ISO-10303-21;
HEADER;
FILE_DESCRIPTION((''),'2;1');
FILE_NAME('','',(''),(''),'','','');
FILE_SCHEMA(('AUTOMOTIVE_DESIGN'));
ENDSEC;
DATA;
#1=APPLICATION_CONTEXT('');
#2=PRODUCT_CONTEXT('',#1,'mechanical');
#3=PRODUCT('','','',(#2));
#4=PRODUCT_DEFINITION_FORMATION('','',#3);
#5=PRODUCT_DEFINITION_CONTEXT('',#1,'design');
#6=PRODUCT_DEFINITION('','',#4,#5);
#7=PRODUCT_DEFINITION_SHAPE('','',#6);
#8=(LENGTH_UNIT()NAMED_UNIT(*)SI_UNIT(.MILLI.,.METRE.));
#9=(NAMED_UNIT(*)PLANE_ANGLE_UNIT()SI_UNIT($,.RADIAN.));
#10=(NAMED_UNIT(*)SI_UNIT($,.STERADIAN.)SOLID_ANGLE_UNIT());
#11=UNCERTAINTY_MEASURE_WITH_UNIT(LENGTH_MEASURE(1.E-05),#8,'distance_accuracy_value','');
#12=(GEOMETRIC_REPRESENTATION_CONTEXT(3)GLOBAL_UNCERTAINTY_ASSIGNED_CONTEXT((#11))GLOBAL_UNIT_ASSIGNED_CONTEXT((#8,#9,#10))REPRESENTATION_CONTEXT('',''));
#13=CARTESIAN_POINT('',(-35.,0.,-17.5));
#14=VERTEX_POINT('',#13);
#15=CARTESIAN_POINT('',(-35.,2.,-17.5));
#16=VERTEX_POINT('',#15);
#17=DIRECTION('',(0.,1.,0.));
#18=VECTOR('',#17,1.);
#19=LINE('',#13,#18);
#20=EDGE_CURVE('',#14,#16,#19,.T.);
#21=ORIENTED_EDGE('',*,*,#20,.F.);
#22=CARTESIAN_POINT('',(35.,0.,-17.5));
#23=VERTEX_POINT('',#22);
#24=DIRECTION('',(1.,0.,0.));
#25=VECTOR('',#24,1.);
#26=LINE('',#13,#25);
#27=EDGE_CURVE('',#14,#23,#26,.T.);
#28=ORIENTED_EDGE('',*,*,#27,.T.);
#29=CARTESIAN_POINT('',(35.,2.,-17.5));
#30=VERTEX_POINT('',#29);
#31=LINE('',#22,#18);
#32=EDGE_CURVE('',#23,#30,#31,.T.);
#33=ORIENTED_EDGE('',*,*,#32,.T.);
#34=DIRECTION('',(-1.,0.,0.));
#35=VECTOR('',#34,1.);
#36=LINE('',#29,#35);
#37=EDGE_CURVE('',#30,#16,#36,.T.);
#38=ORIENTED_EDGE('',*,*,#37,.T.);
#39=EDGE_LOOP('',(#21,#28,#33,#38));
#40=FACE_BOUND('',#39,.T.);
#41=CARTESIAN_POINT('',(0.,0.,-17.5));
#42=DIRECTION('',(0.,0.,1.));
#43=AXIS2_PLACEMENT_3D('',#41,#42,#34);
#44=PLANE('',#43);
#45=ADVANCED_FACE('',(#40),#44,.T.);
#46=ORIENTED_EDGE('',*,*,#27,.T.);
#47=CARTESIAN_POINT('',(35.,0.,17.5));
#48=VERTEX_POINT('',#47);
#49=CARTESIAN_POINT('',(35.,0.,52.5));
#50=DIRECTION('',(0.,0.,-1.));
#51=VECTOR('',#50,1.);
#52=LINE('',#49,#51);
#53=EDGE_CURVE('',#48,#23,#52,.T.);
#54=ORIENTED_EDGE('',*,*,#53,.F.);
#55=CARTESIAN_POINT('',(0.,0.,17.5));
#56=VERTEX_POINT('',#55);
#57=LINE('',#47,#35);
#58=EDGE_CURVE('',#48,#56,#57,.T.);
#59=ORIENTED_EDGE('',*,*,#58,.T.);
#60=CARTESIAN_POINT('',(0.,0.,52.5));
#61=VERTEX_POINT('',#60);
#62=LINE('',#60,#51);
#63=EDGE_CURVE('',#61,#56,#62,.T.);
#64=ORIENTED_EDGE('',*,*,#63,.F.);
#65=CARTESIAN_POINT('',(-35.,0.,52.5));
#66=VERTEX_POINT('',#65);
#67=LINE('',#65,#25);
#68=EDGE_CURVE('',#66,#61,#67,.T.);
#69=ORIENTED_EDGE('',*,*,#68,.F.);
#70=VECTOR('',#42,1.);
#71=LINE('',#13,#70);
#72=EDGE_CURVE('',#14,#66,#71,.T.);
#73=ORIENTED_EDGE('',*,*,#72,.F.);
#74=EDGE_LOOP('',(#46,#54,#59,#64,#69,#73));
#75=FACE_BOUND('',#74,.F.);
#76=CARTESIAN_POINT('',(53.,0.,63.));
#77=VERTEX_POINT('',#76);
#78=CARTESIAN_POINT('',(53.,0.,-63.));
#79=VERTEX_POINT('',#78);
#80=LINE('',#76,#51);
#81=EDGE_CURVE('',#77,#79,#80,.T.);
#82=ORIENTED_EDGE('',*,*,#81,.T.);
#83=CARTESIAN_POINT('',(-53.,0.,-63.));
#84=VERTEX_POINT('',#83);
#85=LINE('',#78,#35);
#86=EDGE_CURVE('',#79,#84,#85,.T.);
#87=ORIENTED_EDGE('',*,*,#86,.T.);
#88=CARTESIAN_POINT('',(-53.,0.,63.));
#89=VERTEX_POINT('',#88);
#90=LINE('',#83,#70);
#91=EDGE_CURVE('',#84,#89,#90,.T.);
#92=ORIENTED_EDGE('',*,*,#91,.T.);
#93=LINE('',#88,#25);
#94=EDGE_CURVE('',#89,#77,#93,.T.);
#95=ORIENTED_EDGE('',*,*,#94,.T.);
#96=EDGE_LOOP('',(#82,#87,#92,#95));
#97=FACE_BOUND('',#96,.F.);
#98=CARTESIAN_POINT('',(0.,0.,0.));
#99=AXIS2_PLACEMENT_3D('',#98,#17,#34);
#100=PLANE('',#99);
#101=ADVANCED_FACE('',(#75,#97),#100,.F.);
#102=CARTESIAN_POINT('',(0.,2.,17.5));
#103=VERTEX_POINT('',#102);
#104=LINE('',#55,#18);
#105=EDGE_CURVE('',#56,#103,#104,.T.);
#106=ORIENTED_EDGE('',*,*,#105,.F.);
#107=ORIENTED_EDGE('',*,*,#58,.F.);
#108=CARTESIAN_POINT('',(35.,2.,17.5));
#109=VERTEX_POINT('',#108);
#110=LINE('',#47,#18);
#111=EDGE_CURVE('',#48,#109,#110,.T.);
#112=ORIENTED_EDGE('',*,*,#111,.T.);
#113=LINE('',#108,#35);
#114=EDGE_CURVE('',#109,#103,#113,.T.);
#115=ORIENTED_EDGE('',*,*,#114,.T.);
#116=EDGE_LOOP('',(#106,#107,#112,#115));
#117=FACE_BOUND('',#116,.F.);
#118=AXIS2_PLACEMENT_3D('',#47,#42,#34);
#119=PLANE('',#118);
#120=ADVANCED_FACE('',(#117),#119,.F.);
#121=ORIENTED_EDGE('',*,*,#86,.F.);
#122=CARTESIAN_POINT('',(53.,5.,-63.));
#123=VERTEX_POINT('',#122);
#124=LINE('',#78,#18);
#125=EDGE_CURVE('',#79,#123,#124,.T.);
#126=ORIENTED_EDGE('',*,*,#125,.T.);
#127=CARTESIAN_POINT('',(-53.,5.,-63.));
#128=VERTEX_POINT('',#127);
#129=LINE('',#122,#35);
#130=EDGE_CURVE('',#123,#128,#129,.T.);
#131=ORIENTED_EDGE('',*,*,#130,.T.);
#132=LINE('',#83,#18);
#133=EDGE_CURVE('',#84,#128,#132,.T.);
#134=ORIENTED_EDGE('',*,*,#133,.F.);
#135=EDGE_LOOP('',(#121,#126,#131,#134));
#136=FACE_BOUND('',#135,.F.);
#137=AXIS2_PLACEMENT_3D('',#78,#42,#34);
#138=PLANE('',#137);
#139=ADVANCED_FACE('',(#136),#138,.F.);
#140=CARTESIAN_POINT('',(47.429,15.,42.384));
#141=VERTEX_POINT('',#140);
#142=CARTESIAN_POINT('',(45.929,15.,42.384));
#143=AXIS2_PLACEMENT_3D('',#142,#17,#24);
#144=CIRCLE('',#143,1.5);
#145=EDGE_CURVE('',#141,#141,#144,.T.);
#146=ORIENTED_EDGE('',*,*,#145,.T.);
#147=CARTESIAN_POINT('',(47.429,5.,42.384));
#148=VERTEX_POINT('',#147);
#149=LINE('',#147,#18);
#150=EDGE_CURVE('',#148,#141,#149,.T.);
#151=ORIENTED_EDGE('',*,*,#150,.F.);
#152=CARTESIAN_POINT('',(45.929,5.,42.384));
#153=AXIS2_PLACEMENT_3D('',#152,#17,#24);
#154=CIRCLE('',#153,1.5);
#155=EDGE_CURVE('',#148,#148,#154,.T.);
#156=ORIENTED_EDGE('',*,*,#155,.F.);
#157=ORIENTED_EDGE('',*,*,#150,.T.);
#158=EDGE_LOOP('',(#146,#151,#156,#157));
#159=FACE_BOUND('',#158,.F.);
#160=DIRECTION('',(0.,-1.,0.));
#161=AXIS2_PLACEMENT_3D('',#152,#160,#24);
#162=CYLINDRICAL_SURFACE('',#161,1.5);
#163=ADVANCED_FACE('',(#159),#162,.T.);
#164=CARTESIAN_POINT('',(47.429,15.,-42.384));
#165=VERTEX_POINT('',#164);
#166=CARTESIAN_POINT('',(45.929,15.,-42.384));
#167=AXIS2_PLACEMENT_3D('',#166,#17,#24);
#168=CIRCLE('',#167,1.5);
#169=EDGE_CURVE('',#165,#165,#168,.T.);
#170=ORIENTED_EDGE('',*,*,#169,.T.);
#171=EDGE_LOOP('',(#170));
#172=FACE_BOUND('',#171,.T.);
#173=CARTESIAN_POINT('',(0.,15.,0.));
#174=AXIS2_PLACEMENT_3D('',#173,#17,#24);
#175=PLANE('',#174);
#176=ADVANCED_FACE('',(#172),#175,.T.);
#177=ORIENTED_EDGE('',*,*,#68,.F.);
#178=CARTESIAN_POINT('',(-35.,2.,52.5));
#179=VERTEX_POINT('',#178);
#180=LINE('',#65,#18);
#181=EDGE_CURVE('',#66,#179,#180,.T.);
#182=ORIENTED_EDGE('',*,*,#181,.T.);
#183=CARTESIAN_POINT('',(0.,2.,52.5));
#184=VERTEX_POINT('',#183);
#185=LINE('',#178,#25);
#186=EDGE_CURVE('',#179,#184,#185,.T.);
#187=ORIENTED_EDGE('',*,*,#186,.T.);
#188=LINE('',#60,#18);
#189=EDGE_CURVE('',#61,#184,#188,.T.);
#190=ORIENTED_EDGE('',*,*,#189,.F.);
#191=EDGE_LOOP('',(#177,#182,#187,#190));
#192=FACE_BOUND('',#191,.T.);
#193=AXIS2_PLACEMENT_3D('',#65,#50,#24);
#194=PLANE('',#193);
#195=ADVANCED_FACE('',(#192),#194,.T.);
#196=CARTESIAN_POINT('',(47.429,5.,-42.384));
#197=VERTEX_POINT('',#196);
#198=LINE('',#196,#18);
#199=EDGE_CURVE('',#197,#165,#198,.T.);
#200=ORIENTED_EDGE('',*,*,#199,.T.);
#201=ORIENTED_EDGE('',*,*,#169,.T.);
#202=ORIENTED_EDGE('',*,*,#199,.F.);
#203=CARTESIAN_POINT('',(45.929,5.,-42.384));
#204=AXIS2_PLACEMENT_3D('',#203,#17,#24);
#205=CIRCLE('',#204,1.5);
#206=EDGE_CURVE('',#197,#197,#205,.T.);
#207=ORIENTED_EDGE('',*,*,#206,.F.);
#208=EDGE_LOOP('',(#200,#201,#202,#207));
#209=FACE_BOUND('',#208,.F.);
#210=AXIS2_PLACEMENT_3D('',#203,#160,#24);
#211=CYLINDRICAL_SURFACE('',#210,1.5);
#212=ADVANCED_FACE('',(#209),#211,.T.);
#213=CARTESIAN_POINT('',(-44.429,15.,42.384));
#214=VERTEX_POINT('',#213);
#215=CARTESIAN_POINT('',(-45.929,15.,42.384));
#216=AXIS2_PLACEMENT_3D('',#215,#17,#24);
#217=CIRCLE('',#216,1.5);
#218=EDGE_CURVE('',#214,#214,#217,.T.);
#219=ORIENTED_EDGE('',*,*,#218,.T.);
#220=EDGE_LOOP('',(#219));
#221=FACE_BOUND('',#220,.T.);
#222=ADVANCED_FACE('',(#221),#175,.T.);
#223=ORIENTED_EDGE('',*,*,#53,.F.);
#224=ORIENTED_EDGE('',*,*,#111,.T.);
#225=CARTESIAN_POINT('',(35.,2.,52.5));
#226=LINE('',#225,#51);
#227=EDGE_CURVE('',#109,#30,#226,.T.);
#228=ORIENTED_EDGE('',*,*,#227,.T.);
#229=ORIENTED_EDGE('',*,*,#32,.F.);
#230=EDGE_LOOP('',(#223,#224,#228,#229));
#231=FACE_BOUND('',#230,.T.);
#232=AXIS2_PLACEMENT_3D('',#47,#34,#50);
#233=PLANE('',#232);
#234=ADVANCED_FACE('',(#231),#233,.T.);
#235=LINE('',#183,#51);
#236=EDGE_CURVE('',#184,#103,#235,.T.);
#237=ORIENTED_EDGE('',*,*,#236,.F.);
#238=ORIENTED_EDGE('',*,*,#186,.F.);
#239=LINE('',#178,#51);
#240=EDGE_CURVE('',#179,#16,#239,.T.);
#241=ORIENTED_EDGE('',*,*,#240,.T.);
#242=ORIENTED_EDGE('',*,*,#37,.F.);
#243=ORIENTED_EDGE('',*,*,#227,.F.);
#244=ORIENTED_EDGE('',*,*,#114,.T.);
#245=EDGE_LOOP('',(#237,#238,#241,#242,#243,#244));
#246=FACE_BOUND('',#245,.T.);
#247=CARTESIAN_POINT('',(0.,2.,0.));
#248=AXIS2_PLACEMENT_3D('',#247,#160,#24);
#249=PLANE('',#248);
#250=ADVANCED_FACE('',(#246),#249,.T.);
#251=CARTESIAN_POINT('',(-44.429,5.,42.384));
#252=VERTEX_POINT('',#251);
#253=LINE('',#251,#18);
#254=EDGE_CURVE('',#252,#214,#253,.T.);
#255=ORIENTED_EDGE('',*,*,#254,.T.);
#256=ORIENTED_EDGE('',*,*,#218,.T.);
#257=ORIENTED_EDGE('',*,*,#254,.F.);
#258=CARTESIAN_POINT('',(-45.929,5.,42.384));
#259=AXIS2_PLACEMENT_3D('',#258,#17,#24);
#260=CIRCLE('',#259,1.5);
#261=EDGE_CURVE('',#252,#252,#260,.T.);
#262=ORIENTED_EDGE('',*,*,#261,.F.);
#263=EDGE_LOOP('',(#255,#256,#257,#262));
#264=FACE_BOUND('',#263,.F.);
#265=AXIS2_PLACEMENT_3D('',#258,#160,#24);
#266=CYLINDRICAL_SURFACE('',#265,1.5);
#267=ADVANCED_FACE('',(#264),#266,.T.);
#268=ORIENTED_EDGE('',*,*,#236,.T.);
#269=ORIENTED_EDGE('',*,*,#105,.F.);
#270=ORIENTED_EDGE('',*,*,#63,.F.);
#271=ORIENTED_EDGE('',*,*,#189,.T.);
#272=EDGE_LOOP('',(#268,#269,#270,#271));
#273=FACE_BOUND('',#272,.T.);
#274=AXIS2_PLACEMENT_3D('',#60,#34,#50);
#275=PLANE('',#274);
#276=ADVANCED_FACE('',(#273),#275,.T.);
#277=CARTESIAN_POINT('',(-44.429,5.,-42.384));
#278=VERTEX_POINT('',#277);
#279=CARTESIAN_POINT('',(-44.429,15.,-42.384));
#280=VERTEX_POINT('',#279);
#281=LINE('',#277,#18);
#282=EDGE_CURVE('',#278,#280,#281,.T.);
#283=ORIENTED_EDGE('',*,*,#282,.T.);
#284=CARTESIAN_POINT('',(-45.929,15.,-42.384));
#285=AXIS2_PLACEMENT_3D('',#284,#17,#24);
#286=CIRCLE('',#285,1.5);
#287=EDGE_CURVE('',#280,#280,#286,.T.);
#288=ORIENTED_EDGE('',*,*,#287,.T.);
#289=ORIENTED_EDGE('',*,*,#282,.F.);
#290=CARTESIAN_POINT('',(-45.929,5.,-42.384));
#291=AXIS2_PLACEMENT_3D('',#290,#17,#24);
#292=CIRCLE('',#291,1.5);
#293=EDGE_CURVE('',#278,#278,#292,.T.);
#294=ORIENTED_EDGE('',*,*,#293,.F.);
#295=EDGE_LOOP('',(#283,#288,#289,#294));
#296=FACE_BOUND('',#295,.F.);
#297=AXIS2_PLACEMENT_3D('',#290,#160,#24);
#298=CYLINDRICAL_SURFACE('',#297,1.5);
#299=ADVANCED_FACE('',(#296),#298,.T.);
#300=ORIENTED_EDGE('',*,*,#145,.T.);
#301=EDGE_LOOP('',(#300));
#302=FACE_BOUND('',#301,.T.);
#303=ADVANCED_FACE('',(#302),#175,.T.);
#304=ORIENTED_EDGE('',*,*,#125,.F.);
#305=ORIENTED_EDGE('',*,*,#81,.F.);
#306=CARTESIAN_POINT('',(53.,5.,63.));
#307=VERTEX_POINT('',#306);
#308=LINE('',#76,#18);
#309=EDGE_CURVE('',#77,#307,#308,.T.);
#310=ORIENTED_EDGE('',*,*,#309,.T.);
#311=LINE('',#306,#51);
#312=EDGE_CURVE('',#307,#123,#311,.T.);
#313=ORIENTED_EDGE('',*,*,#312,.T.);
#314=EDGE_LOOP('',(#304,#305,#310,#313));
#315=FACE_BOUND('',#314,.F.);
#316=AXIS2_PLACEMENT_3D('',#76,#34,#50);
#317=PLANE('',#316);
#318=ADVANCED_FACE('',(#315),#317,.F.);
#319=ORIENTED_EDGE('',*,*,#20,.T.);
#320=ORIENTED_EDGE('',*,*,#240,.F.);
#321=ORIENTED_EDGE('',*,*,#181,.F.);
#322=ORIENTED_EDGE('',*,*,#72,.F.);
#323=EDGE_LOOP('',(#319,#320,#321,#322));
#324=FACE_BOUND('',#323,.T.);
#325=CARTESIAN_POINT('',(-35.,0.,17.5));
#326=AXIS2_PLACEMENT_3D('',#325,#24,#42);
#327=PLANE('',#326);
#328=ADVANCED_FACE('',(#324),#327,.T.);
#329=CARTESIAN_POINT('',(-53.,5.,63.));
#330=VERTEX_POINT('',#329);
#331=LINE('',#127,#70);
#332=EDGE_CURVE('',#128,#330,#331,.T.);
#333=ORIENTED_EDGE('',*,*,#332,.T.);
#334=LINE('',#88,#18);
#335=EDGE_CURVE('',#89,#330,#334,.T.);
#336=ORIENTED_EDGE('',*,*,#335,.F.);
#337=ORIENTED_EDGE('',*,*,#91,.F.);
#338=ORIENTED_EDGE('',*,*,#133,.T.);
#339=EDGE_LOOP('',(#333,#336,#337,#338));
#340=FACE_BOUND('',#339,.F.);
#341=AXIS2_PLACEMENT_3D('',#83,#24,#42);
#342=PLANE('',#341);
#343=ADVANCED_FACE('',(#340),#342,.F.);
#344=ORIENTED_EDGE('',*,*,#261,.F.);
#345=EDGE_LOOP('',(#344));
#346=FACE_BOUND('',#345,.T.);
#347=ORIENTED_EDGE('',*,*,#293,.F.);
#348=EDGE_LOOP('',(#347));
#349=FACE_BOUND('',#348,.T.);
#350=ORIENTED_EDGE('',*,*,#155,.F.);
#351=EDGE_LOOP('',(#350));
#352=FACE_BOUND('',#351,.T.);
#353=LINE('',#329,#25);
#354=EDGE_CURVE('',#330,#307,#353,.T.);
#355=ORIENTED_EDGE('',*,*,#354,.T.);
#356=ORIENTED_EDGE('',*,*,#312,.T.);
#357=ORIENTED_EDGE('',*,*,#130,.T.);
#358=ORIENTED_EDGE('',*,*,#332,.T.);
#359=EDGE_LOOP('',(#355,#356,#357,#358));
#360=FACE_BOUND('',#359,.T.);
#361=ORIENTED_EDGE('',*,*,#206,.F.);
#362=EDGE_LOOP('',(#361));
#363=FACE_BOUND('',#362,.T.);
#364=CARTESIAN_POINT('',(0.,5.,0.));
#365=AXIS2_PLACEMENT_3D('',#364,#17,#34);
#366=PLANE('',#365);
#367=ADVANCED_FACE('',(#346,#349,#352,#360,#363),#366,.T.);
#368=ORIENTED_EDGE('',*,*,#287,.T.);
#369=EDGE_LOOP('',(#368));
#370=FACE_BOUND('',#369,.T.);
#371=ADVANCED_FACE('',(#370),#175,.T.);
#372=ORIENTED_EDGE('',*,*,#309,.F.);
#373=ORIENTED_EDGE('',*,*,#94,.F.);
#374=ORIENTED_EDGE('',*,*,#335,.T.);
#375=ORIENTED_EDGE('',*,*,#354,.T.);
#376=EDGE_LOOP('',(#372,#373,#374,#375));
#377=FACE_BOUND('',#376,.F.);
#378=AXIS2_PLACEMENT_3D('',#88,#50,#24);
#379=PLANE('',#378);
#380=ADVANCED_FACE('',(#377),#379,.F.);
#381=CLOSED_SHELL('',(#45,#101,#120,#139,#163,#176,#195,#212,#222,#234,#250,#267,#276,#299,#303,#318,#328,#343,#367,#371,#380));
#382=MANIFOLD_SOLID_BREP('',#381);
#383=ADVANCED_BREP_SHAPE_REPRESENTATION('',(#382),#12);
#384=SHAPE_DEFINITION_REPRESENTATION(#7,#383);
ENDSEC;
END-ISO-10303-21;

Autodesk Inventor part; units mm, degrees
ref_plane "YZ Plane" through (0, 0, 0) normal (1, 0, 0) x (0, 1, 0)
ref_plane "XZ Plane" through (0, 0, 0) normal (0, 1, 0) x (-1, 0, 0)
ref_plane "XY Plane" through (0, 0, 0) normal (0, 0, 1) x (1, 0, 0)
sketch "Boceto1" plane through (0, 0, 0) normal (0, 1, 0) x (-1, 0, 0)
  line L0 (53, 63) -> (-53, 63)
  line L1 (-53, 63) -> (-53, -63)
  line L2 (-53, -63) -> (53, -63)
  line L3 (53, -63) -> (53, 63)
  point P0 (0, 0)
  point P1 (0, 63)
  dimension "d1" = 106
  dimension "d2" = 126
  dimension "d3" = 53
  dimension "d4" = 63
extrude "Extrusión1" add sketch "Boceto1" along normal blind 5
sketch "Boceto2" plane through (0, 5, 0) normal (0, 1, 0) x (1, 0, 0)
  circle A0 centre (-45.929, -42.384) radius 1.5
  line L0 (-53, -63) -> (53, -63) projected
  line L1 (-53, 63) -> (-53, -63) projected
  line L2 (-81, 0) -> (77, 0)
  line L3 (0, -130) -> (0, 128)
  circle A1 centre (-45.929, 42.384) radius 1.5
  line L4 (-53, -63) -> (-53, 63)
  circle A2 centre (45.929, -42.384) radius 1.5
  circle A3 centre (45.929, 42.384) radius 1.5
  point P0 (0, 0)
  dimension "d7" = 3
  dimension "d8" = 20.616
  dimension "d9" = 7.071
extrude "Extrusión2" add sketch "Boceto2" along normal blind 10 contours A0 | A1 | A2 | A3
sketch "Boceto3" plane through (0, 0, 0) normal (0, -1, 0) x (1, 0, 0)
  line L0 (-35, 52.5) -> (35, 52.5)
  line L1 (35, 52.5) -> (35, -52.5)
  line L2 (35, -52.5) -> (-35, -52.5)
  line L3 (-35, -52.5) -> (-35, 52.5)
  line L4 (53, -63) -> (-53, -63) projected
  line L5 (-53, 63) -> (53, 63) projected
  line L6 (53, 63) -> (53, -63) projected
  line L7 (-53, -63) -> (-53, 63) projected
  line L8 (35, 17.5) -> (-35, 17.5)
  line L9 (35, -17.5) -> (-35, -17.5)
  line L10 (0, 52.5) -> (0, -52.5)
  point P0 (0, 0)
  point P1 (0, 17.5)
  dimension "d12" = 52.5
  dimension "d13" = 126
  dimension "d14" = 106
  dimension "d15" = 52.5
  dimension "d16" = 35
  dimension "d17" = 35
  dimension "d18" = 35
  dimension "d19" = 35
  dimension "d20" = 35
extrude "Extrusión3" cut sketch "Boceto3" against normal blind 2 contours L0 L10 L8 L3 | L8 L10 L9 L3 | L8 L1 L9 L10
properties part number "Tapa 0"
